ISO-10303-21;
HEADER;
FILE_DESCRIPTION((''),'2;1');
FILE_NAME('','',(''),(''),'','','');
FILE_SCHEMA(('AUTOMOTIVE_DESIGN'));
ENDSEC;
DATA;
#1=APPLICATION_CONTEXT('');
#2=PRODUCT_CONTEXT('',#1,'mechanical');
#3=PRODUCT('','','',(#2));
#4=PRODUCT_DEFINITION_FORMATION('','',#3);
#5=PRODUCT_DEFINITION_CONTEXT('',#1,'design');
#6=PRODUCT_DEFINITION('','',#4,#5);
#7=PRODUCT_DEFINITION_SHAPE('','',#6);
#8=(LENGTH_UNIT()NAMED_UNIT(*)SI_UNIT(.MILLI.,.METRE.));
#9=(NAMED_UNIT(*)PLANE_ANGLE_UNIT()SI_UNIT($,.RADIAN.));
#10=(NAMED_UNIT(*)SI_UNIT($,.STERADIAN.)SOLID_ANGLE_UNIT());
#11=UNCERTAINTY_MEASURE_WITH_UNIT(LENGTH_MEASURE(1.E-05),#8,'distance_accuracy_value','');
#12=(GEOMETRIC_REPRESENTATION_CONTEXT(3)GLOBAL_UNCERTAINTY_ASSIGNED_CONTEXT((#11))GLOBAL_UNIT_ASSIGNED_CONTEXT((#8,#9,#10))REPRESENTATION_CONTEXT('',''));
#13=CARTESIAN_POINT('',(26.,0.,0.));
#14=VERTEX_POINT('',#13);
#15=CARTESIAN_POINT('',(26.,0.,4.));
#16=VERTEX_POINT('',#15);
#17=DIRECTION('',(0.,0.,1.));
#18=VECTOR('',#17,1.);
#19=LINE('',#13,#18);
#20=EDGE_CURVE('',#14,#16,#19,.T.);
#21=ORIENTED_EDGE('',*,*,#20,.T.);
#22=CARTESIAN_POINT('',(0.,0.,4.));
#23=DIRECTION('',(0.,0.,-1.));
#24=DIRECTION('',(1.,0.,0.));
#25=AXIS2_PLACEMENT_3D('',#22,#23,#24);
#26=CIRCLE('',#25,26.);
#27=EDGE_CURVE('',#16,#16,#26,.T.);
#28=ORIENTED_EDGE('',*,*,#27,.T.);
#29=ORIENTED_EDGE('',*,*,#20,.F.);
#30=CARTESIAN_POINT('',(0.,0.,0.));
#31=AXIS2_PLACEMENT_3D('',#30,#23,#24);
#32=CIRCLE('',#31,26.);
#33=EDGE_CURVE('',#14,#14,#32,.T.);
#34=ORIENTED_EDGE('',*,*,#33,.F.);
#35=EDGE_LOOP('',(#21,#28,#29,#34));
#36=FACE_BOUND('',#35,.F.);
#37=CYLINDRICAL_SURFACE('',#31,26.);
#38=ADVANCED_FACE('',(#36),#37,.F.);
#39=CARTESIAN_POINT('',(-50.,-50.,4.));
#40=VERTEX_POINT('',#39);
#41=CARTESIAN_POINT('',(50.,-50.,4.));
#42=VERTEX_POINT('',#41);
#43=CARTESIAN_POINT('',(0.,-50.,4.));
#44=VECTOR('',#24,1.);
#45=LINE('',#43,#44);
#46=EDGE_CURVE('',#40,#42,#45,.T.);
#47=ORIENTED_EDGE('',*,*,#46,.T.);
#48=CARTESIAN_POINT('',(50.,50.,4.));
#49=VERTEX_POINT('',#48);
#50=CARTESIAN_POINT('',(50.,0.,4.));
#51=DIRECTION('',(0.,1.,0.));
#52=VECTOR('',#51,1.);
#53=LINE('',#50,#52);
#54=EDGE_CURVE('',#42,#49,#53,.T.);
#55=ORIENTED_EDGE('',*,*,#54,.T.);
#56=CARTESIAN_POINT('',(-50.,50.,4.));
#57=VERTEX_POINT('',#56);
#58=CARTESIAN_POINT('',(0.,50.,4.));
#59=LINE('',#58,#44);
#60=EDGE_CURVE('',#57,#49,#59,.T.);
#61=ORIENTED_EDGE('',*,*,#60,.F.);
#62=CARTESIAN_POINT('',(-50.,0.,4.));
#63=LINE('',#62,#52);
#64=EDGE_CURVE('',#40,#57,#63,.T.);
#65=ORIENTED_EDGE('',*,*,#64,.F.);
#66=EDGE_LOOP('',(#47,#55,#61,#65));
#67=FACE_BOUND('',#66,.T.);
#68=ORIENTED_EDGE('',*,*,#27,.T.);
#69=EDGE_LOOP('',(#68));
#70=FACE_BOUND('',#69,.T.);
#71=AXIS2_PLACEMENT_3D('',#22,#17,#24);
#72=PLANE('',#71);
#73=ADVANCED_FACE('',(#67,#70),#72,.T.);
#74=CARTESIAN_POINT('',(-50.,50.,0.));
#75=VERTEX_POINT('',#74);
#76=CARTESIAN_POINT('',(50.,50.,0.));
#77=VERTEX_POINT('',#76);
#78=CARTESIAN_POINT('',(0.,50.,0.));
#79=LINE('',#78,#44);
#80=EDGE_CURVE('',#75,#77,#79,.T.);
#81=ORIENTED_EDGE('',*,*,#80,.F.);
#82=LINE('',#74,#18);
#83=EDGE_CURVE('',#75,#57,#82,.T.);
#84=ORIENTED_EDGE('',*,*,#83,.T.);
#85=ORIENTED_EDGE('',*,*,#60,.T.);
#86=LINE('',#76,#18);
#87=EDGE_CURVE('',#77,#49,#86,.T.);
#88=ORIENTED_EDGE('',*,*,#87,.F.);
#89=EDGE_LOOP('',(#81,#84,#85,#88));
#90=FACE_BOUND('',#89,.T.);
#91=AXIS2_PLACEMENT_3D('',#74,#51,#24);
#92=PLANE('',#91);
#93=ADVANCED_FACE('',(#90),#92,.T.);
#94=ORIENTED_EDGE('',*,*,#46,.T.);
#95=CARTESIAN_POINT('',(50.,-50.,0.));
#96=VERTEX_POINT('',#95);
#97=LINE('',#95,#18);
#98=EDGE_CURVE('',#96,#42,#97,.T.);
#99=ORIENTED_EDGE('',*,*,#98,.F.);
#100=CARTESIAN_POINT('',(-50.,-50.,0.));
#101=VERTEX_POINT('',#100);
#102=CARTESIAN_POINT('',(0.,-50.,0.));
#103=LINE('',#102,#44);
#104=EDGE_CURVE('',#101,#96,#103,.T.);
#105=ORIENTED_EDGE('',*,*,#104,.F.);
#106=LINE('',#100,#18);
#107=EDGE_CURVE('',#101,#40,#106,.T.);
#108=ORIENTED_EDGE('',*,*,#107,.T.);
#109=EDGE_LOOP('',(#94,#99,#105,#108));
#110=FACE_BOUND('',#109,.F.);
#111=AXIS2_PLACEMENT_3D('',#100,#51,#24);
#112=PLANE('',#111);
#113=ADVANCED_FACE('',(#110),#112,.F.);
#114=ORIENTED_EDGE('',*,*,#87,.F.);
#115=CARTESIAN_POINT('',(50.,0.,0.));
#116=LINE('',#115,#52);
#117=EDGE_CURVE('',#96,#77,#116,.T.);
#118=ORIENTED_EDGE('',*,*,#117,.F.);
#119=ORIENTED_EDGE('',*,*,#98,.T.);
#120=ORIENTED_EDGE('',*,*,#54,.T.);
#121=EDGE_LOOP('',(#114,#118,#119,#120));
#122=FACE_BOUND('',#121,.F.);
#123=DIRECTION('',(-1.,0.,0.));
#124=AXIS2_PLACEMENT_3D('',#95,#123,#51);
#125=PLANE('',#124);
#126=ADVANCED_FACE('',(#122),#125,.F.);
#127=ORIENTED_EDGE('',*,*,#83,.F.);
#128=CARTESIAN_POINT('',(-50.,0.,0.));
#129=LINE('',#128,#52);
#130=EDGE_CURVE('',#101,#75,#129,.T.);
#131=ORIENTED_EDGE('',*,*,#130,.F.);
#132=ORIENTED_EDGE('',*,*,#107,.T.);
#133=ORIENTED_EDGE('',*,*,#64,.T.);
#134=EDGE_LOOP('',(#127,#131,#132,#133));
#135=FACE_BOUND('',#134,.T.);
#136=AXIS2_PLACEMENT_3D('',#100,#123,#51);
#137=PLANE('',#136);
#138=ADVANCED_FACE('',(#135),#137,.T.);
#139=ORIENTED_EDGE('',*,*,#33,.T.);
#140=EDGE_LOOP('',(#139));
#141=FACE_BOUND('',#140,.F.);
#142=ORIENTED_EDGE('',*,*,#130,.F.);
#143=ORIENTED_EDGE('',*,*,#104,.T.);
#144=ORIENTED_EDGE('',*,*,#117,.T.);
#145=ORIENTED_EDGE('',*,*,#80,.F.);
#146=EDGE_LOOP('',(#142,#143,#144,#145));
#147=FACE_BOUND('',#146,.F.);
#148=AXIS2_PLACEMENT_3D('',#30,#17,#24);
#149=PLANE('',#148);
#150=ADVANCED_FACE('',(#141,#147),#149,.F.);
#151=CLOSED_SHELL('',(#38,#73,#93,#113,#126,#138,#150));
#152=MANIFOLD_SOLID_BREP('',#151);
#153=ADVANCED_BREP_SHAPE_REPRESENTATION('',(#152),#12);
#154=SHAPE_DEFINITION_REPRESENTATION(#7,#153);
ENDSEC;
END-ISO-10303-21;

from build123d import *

# Parameters (mm, degrees)
SKETCH001_R   = 26
EXTRUDE_DEPTH = 10
BOX_W         = 100
BOX_H         = 100
BOX_DEPTH     = 4


with BuildPart() as glass_holder_hole:
    # Sketch001 (on Face5 of Box) → Extrude (new body)
    with BuildSketch(Plane(origin=(-50, -50, 0), x_dir=(1, 0, 0), z_dir=(0, 0, -1))):
        with Locations((50, -50)):
            Circle(SKETCH001_R)
    extrude(amount=-EXTRUDE_DEPTH)


with BuildPart() as glass_holder:
    # Box → Box (new body)
    with BuildSketch(Plane(origin=(-50, -50, 0), x_dir=(1, 0, 0), z_dir=(0, 0, 1))):
        with Locations((50, 50)):
            Rectangle(BOX_W, BOX_H)
    extrude(amount=BOX_DEPTH)

    # Cut: cut Glass Holder Hole
    add(glass_holder_hole.part, mode=Mode.SUBTRACT)


solid = glass_holder.part
